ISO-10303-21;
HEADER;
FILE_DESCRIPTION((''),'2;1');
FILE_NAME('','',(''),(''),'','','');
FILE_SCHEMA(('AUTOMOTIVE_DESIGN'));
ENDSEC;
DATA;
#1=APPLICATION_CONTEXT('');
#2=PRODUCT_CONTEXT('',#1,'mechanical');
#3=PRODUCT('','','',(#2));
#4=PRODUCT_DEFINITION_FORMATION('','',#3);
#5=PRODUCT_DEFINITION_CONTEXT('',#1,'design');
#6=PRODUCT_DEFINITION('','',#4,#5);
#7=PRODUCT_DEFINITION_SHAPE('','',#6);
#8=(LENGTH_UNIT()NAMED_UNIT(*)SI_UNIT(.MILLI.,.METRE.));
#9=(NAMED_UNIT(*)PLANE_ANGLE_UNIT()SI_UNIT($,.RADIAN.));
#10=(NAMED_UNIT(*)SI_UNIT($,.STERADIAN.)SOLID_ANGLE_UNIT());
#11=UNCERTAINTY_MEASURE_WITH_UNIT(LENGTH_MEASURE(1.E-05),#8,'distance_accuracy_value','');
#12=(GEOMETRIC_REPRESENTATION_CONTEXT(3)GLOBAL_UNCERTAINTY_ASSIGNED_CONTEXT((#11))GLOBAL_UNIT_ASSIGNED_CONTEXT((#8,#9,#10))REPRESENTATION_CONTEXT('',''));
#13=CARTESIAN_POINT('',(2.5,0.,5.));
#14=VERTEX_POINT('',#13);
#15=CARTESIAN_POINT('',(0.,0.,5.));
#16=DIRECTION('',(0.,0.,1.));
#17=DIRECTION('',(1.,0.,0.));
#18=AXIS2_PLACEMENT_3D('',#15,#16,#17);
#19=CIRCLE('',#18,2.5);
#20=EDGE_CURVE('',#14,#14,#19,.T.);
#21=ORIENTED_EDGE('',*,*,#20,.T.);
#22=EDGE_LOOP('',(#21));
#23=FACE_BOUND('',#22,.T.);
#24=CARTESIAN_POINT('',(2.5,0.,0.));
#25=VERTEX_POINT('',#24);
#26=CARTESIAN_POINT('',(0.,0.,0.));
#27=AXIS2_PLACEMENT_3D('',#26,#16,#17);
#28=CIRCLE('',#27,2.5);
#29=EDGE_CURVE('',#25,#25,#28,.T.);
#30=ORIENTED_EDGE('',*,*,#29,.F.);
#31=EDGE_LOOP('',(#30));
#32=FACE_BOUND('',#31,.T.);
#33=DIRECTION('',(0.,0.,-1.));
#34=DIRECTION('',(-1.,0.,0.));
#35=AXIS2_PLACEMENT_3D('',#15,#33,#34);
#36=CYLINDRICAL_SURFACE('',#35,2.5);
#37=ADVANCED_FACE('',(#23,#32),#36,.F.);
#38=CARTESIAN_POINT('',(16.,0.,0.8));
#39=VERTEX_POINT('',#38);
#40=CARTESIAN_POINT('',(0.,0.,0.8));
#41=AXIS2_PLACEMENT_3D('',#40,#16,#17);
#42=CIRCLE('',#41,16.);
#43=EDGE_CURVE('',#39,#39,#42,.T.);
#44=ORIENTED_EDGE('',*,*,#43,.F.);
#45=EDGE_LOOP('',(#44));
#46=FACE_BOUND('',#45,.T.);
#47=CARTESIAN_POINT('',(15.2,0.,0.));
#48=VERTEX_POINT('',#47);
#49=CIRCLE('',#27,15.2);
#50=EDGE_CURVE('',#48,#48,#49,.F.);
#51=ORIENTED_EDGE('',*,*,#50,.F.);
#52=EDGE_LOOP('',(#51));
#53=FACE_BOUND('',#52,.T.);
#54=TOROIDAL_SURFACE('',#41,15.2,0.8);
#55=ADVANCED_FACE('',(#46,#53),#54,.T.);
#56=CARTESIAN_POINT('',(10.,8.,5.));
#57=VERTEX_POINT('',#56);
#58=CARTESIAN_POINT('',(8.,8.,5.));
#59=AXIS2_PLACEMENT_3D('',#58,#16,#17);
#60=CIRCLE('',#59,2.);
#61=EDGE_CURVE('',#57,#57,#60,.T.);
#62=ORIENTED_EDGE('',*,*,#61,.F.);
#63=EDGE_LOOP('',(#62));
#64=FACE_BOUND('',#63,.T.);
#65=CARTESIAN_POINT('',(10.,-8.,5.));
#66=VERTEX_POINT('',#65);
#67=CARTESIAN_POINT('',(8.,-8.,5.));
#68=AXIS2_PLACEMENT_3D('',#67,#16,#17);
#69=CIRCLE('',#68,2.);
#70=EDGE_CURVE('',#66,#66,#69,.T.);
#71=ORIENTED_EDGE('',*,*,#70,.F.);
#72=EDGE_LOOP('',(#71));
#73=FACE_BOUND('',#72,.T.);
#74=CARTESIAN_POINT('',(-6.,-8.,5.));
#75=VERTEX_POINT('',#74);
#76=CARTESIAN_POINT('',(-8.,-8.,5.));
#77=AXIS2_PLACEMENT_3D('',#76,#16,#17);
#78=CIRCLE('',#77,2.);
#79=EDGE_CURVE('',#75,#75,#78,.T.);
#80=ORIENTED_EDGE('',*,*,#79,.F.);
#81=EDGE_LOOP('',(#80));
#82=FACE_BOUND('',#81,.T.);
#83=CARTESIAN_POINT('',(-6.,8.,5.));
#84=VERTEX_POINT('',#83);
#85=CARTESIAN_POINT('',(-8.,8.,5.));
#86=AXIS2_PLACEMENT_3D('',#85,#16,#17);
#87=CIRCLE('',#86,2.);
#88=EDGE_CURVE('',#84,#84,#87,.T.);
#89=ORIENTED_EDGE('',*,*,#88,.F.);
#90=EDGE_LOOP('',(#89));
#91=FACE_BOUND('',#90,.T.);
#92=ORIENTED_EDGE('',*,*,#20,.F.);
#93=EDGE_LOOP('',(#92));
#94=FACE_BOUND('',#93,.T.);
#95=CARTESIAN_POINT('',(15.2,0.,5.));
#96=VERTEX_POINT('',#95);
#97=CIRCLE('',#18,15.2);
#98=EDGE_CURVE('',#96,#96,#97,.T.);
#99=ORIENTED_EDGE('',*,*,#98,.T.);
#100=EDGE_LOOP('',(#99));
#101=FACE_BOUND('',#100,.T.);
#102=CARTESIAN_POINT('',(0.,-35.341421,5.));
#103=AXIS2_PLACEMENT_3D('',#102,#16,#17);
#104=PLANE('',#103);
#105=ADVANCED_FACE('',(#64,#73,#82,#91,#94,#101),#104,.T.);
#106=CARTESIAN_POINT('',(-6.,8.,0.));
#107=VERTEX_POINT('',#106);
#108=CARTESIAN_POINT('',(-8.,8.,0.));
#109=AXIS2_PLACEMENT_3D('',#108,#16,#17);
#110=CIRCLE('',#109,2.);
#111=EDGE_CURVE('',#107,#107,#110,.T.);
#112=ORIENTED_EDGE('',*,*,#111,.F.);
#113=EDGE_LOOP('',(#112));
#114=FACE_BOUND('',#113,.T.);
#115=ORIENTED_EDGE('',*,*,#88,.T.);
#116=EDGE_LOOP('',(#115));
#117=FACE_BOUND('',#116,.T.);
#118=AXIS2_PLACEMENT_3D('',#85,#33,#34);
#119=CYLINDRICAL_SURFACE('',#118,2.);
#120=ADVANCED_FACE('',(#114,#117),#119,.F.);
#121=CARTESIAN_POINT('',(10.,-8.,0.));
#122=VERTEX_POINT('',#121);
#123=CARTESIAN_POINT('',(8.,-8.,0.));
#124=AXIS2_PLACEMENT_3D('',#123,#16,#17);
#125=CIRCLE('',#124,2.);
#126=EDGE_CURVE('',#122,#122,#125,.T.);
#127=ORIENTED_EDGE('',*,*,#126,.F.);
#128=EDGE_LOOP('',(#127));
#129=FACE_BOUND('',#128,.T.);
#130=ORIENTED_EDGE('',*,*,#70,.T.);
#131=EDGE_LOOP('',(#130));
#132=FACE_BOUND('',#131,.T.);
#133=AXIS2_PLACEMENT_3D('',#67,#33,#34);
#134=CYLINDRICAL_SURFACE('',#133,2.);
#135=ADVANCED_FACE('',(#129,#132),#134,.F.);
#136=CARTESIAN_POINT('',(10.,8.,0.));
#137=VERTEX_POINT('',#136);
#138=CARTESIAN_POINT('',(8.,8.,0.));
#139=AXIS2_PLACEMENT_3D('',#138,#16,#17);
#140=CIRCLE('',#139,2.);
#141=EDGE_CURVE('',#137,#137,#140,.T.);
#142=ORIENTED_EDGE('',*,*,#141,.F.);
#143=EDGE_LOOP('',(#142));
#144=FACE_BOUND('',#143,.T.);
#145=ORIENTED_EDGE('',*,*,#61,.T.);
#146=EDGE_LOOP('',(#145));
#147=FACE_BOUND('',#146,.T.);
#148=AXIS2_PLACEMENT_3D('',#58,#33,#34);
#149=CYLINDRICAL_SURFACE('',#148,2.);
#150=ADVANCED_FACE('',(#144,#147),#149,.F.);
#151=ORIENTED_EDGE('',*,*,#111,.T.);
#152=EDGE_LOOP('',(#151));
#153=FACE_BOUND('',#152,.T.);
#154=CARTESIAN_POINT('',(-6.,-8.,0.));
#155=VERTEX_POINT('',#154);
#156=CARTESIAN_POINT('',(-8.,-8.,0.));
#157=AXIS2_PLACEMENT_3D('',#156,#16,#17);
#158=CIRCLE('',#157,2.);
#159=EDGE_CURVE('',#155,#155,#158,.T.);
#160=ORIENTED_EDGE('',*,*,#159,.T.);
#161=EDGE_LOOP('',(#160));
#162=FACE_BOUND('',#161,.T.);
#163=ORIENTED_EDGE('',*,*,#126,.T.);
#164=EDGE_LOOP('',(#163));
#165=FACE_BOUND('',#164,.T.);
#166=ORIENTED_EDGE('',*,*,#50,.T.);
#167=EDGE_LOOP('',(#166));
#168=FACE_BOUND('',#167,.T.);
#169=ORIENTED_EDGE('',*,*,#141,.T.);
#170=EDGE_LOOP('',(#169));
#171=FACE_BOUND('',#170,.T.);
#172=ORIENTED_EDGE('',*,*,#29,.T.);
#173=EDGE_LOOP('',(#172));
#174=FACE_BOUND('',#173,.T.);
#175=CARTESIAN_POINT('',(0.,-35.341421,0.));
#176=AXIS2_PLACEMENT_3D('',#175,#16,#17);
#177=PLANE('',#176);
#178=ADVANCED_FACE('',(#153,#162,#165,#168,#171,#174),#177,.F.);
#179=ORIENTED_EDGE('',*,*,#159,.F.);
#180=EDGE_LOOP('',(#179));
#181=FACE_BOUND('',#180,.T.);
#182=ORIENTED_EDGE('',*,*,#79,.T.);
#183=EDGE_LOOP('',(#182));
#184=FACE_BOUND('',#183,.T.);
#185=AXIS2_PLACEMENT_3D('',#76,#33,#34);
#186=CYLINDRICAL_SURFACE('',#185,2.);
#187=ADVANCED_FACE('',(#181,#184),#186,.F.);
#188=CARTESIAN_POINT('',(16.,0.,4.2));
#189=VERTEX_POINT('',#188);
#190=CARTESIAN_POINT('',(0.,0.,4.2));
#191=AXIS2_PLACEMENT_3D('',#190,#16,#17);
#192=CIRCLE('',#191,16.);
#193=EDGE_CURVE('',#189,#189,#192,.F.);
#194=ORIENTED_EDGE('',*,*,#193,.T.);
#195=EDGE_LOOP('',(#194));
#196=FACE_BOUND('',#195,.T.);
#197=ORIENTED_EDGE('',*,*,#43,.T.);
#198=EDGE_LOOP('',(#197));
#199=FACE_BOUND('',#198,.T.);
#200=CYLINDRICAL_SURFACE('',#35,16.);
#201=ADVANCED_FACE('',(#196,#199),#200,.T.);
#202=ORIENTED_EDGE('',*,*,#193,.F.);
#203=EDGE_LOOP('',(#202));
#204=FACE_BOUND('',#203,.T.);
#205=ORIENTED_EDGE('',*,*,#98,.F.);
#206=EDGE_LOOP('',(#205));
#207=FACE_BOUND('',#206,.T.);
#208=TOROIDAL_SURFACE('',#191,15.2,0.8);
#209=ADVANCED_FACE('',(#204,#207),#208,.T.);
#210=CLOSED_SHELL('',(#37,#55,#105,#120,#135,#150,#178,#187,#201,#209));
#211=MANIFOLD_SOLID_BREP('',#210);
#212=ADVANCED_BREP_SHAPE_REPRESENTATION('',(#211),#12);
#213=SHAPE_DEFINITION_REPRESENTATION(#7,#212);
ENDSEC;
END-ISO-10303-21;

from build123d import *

# Parameters (mm, degrees)
SKETCH1_R      = 16
SKETCH1_R_2    = 2
SKETCH1_R_3    = 2.5
EXTRUDE2_DEPTH = 5
FILLET1_R      = 0.8


with BuildPart() as part:
    # Sketch1 → Extrude2 (new body)
    with BuildSketch(Plane.XY):
        Circle(SKETCH1_R)
        with Locations((-8, 8)):
            Circle(SKETCH1_R_2, mode=Mode.SUBTRACT)
        with Locations((-8, -8)):
            Circle(SKETCH1_R_2, mode=Mode.SUBTRACT)
        with Locations((8, -8)):
            Circle(SKETCH1_R_2, mode=Mode.SUBTRACT)
        with Locations((8, 8)):
            Circle(SKETCH1_R_2, mode=Mode.SUBTRACT)
        Circle(SKETCH1_R_3, mode=Mode.SUBTRACT)
    extrude(amount=EXTRUDE2_DEPTH)

    # Fillet1
    fillet1_edges = [part.edges().sort_by_distance(p)[0] for p in [
        (-16, 0, 5),
        (-16, 0, 0),
    ]]
    fillet(fillet1_edges, radius=FILLET1_R)


solid = part.part
